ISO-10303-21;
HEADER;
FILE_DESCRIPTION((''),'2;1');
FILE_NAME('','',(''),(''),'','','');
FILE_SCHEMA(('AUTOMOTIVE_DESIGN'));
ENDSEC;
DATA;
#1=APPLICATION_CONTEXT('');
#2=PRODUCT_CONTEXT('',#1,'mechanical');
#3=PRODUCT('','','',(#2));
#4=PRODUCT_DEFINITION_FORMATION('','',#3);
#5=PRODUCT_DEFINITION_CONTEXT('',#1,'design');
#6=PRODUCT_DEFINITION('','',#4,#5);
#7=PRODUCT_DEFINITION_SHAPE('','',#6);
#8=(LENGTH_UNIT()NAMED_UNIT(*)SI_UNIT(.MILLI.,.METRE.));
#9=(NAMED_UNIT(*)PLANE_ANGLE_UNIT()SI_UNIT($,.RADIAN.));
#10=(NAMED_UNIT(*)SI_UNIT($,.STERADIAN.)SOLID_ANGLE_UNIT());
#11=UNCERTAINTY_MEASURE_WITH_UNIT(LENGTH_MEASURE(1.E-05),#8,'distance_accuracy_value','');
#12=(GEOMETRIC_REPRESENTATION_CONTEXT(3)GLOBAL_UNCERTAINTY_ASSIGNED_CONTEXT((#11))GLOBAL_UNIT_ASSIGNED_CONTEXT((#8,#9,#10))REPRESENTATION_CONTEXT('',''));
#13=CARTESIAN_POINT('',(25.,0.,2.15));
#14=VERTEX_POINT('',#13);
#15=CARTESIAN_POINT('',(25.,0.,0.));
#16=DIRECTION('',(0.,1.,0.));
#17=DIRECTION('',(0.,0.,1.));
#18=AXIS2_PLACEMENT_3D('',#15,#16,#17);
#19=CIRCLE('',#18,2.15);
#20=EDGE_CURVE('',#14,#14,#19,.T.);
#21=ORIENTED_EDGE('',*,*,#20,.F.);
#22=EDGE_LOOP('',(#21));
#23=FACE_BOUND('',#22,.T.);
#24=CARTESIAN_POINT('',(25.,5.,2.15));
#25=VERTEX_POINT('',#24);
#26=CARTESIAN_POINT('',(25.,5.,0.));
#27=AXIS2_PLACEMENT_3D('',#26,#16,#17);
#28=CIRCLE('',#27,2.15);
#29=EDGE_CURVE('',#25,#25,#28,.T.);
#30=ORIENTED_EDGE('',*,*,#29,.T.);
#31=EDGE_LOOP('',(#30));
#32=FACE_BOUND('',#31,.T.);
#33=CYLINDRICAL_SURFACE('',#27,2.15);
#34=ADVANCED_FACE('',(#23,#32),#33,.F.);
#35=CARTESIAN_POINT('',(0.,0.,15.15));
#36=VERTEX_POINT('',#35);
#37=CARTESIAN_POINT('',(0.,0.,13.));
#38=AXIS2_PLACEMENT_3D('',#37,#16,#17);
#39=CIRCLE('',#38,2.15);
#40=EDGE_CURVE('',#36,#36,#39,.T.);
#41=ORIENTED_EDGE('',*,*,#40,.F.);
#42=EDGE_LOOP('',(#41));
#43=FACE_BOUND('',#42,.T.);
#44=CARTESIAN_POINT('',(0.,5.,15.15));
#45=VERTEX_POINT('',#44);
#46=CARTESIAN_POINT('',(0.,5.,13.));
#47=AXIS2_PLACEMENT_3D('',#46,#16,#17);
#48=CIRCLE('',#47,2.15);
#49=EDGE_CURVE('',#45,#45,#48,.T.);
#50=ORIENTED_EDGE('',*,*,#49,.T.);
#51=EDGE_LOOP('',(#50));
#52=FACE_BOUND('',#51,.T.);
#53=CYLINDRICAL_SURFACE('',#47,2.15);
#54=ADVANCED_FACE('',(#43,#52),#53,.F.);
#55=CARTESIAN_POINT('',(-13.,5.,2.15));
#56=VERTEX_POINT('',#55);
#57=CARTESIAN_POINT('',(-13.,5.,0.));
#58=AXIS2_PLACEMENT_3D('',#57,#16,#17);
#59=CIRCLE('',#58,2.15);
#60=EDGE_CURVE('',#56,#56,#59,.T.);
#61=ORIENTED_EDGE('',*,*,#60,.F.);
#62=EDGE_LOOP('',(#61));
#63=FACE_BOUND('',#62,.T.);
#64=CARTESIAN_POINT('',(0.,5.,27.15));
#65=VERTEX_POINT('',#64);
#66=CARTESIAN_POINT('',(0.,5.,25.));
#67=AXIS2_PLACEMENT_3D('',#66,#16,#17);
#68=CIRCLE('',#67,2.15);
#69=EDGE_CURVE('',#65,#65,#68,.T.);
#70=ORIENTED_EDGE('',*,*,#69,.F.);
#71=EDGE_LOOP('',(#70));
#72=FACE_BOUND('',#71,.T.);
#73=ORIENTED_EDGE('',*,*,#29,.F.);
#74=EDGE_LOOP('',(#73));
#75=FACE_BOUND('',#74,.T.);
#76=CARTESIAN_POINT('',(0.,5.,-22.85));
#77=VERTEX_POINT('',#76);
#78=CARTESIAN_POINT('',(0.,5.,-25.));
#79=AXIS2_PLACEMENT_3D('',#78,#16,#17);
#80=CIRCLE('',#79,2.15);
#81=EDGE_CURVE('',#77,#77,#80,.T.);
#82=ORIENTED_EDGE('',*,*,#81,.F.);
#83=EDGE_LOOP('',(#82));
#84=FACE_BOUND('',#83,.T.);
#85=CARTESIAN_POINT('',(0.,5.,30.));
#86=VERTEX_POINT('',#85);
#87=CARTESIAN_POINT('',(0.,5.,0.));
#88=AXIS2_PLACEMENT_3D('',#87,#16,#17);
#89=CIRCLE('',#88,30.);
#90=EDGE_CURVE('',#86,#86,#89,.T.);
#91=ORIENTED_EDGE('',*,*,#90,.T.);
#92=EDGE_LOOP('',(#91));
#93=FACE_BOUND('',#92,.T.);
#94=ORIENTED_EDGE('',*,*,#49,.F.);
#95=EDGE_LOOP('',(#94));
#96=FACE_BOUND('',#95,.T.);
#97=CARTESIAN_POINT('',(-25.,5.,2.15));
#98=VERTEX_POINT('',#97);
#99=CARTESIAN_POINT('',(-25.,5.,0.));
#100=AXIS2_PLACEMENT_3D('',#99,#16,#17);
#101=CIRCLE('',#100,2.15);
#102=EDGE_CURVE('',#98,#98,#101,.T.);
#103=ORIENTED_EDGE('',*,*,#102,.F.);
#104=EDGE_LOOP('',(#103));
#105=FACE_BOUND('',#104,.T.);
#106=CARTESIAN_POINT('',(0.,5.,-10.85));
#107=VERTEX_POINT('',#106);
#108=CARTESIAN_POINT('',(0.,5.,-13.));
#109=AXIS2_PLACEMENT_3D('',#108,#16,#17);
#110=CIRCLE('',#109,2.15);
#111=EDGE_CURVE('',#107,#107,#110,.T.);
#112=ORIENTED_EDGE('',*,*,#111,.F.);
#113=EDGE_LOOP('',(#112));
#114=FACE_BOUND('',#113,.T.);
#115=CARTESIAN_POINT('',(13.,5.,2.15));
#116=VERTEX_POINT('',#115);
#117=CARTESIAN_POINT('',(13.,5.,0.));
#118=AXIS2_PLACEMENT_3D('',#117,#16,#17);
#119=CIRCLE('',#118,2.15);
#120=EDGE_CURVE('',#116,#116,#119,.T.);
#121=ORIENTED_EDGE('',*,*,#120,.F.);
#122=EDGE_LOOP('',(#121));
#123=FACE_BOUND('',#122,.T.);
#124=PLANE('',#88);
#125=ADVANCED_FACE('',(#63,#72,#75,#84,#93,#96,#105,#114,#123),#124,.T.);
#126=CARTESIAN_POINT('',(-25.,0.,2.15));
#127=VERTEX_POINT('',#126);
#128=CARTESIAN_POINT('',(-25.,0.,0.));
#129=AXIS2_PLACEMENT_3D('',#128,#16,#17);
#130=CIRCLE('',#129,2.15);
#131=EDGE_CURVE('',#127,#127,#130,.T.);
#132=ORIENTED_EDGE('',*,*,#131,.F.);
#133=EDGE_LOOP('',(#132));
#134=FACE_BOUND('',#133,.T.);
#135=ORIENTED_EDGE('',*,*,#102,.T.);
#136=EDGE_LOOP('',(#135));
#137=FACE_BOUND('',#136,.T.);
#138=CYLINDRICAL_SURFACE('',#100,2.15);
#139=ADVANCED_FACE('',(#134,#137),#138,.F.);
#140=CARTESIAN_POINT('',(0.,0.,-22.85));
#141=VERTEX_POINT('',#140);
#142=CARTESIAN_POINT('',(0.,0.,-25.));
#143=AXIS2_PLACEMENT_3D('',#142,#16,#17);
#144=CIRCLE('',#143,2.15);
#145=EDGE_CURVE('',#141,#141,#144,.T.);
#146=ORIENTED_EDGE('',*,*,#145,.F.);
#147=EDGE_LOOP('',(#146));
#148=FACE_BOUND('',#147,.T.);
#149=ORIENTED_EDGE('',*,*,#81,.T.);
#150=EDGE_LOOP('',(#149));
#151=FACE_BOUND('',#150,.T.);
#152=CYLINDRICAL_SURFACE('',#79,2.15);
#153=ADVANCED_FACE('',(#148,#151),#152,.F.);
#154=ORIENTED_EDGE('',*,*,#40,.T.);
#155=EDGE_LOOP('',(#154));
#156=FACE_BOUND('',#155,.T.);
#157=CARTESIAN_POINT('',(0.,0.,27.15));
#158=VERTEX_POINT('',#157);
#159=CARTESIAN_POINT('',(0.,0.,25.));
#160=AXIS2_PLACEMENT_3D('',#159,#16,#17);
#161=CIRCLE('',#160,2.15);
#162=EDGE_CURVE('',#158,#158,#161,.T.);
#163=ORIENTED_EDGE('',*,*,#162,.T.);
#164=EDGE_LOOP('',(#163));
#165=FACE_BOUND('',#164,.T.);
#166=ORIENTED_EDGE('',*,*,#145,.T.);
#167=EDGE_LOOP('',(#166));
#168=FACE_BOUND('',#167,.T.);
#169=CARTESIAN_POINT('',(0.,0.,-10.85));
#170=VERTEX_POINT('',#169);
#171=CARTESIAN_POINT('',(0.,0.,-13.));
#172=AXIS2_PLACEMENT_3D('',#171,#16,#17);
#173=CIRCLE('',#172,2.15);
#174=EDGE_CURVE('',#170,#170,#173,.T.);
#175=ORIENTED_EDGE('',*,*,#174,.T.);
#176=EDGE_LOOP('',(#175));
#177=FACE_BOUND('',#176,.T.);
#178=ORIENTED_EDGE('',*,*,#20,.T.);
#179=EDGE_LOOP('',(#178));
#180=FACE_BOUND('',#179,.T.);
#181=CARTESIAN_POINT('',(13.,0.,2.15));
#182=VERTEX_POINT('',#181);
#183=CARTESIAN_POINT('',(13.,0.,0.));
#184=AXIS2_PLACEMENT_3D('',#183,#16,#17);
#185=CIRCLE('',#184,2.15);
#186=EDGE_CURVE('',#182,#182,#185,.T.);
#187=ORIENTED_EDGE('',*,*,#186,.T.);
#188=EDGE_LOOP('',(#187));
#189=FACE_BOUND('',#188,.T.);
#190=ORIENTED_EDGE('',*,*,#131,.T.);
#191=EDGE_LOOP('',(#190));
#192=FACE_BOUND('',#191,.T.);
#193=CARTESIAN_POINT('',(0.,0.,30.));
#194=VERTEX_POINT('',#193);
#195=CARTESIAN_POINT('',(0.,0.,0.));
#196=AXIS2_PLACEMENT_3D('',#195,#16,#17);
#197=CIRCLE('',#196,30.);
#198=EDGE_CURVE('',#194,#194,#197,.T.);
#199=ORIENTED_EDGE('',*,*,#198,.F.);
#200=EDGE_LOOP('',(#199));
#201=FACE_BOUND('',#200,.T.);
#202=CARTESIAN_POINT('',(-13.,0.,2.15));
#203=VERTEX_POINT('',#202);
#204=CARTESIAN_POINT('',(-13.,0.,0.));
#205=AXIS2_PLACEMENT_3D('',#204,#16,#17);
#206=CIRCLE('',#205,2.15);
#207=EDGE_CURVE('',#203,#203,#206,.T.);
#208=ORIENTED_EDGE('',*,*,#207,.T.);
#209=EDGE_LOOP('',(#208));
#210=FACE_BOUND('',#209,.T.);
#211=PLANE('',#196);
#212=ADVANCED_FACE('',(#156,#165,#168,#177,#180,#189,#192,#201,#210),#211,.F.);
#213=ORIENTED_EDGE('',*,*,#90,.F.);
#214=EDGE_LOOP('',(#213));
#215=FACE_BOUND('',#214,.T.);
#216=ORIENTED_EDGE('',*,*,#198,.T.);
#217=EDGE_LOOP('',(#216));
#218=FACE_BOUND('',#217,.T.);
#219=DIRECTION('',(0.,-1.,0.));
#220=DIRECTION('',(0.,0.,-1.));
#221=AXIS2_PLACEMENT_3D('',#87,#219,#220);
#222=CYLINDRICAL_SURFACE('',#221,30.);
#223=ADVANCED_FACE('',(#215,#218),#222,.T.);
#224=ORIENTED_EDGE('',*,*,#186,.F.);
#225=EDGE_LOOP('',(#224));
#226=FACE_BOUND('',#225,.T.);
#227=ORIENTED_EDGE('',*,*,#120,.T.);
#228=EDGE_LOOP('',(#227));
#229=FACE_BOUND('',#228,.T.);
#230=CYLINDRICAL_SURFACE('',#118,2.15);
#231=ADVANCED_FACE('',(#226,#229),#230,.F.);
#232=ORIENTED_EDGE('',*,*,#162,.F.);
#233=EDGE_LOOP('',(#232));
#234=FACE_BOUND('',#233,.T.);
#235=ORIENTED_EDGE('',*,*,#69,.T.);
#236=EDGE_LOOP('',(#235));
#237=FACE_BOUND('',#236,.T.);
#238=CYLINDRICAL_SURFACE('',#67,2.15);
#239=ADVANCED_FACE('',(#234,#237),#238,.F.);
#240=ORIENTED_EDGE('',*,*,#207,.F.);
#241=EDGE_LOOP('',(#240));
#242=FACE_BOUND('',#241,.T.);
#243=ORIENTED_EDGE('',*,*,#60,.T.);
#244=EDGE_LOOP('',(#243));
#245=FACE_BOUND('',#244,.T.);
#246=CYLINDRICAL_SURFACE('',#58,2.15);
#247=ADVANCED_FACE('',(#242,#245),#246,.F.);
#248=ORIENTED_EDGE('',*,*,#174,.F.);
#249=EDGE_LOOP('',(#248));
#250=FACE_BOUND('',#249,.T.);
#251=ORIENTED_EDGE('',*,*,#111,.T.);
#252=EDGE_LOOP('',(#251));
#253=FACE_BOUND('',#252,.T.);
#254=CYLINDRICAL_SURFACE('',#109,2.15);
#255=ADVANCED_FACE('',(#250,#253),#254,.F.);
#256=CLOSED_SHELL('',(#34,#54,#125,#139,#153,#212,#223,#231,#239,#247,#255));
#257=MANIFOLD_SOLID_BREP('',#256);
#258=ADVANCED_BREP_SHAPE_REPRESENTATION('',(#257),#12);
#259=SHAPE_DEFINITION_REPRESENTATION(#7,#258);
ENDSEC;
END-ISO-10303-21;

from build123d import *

# Parameters (mm, degrees)
SKETCH1_R            = 30
BOSS_EXTRUDE1_DEPTH  = 5
M4_CLEARANCE_HOLE1_D = 4.3
M4_CLEARANCE_HOLE2_D = 4.3


with BuildPart() as part:
    # Sketch1 → Boss-Extrude1 (new body)
    with BuildSketch(Plane(origin=(0, 0, 0), x_dir=(1, 0, 0), z_dir=(0, 1, 0))):
        with Locations(Location((0, 0, 0), (0, 0, 270))):
            Circle(SKETCH1_R)
    extrude(amount=BOSS_EXTRUDE1_DEPTH)

    # M4 Clearance Hole1 (through all)
    with Locations(Plane(origin=(0, 5, 0), x_dir=(1, 0, 0), z_dir=(0, 1, 0))):
        with Locations((0, -25), (-25, 0), (25, 0), (0, 25)):
            Hole(M4_CLEARANCE_HOLE1_D / 2)

    # M4 Clearance Hole2 (through all)
    with Locations(Plane(origin=(0, 5, 0), x_dir=(1, 0, 0), z_dir=(0, 1, 0))):
        with Locations((-13, 0), (13, 0), (0, 13), (0, -13)):
            Hole(M4_CLEARANCE_HOLE2_D / 2)


solid = part.part
